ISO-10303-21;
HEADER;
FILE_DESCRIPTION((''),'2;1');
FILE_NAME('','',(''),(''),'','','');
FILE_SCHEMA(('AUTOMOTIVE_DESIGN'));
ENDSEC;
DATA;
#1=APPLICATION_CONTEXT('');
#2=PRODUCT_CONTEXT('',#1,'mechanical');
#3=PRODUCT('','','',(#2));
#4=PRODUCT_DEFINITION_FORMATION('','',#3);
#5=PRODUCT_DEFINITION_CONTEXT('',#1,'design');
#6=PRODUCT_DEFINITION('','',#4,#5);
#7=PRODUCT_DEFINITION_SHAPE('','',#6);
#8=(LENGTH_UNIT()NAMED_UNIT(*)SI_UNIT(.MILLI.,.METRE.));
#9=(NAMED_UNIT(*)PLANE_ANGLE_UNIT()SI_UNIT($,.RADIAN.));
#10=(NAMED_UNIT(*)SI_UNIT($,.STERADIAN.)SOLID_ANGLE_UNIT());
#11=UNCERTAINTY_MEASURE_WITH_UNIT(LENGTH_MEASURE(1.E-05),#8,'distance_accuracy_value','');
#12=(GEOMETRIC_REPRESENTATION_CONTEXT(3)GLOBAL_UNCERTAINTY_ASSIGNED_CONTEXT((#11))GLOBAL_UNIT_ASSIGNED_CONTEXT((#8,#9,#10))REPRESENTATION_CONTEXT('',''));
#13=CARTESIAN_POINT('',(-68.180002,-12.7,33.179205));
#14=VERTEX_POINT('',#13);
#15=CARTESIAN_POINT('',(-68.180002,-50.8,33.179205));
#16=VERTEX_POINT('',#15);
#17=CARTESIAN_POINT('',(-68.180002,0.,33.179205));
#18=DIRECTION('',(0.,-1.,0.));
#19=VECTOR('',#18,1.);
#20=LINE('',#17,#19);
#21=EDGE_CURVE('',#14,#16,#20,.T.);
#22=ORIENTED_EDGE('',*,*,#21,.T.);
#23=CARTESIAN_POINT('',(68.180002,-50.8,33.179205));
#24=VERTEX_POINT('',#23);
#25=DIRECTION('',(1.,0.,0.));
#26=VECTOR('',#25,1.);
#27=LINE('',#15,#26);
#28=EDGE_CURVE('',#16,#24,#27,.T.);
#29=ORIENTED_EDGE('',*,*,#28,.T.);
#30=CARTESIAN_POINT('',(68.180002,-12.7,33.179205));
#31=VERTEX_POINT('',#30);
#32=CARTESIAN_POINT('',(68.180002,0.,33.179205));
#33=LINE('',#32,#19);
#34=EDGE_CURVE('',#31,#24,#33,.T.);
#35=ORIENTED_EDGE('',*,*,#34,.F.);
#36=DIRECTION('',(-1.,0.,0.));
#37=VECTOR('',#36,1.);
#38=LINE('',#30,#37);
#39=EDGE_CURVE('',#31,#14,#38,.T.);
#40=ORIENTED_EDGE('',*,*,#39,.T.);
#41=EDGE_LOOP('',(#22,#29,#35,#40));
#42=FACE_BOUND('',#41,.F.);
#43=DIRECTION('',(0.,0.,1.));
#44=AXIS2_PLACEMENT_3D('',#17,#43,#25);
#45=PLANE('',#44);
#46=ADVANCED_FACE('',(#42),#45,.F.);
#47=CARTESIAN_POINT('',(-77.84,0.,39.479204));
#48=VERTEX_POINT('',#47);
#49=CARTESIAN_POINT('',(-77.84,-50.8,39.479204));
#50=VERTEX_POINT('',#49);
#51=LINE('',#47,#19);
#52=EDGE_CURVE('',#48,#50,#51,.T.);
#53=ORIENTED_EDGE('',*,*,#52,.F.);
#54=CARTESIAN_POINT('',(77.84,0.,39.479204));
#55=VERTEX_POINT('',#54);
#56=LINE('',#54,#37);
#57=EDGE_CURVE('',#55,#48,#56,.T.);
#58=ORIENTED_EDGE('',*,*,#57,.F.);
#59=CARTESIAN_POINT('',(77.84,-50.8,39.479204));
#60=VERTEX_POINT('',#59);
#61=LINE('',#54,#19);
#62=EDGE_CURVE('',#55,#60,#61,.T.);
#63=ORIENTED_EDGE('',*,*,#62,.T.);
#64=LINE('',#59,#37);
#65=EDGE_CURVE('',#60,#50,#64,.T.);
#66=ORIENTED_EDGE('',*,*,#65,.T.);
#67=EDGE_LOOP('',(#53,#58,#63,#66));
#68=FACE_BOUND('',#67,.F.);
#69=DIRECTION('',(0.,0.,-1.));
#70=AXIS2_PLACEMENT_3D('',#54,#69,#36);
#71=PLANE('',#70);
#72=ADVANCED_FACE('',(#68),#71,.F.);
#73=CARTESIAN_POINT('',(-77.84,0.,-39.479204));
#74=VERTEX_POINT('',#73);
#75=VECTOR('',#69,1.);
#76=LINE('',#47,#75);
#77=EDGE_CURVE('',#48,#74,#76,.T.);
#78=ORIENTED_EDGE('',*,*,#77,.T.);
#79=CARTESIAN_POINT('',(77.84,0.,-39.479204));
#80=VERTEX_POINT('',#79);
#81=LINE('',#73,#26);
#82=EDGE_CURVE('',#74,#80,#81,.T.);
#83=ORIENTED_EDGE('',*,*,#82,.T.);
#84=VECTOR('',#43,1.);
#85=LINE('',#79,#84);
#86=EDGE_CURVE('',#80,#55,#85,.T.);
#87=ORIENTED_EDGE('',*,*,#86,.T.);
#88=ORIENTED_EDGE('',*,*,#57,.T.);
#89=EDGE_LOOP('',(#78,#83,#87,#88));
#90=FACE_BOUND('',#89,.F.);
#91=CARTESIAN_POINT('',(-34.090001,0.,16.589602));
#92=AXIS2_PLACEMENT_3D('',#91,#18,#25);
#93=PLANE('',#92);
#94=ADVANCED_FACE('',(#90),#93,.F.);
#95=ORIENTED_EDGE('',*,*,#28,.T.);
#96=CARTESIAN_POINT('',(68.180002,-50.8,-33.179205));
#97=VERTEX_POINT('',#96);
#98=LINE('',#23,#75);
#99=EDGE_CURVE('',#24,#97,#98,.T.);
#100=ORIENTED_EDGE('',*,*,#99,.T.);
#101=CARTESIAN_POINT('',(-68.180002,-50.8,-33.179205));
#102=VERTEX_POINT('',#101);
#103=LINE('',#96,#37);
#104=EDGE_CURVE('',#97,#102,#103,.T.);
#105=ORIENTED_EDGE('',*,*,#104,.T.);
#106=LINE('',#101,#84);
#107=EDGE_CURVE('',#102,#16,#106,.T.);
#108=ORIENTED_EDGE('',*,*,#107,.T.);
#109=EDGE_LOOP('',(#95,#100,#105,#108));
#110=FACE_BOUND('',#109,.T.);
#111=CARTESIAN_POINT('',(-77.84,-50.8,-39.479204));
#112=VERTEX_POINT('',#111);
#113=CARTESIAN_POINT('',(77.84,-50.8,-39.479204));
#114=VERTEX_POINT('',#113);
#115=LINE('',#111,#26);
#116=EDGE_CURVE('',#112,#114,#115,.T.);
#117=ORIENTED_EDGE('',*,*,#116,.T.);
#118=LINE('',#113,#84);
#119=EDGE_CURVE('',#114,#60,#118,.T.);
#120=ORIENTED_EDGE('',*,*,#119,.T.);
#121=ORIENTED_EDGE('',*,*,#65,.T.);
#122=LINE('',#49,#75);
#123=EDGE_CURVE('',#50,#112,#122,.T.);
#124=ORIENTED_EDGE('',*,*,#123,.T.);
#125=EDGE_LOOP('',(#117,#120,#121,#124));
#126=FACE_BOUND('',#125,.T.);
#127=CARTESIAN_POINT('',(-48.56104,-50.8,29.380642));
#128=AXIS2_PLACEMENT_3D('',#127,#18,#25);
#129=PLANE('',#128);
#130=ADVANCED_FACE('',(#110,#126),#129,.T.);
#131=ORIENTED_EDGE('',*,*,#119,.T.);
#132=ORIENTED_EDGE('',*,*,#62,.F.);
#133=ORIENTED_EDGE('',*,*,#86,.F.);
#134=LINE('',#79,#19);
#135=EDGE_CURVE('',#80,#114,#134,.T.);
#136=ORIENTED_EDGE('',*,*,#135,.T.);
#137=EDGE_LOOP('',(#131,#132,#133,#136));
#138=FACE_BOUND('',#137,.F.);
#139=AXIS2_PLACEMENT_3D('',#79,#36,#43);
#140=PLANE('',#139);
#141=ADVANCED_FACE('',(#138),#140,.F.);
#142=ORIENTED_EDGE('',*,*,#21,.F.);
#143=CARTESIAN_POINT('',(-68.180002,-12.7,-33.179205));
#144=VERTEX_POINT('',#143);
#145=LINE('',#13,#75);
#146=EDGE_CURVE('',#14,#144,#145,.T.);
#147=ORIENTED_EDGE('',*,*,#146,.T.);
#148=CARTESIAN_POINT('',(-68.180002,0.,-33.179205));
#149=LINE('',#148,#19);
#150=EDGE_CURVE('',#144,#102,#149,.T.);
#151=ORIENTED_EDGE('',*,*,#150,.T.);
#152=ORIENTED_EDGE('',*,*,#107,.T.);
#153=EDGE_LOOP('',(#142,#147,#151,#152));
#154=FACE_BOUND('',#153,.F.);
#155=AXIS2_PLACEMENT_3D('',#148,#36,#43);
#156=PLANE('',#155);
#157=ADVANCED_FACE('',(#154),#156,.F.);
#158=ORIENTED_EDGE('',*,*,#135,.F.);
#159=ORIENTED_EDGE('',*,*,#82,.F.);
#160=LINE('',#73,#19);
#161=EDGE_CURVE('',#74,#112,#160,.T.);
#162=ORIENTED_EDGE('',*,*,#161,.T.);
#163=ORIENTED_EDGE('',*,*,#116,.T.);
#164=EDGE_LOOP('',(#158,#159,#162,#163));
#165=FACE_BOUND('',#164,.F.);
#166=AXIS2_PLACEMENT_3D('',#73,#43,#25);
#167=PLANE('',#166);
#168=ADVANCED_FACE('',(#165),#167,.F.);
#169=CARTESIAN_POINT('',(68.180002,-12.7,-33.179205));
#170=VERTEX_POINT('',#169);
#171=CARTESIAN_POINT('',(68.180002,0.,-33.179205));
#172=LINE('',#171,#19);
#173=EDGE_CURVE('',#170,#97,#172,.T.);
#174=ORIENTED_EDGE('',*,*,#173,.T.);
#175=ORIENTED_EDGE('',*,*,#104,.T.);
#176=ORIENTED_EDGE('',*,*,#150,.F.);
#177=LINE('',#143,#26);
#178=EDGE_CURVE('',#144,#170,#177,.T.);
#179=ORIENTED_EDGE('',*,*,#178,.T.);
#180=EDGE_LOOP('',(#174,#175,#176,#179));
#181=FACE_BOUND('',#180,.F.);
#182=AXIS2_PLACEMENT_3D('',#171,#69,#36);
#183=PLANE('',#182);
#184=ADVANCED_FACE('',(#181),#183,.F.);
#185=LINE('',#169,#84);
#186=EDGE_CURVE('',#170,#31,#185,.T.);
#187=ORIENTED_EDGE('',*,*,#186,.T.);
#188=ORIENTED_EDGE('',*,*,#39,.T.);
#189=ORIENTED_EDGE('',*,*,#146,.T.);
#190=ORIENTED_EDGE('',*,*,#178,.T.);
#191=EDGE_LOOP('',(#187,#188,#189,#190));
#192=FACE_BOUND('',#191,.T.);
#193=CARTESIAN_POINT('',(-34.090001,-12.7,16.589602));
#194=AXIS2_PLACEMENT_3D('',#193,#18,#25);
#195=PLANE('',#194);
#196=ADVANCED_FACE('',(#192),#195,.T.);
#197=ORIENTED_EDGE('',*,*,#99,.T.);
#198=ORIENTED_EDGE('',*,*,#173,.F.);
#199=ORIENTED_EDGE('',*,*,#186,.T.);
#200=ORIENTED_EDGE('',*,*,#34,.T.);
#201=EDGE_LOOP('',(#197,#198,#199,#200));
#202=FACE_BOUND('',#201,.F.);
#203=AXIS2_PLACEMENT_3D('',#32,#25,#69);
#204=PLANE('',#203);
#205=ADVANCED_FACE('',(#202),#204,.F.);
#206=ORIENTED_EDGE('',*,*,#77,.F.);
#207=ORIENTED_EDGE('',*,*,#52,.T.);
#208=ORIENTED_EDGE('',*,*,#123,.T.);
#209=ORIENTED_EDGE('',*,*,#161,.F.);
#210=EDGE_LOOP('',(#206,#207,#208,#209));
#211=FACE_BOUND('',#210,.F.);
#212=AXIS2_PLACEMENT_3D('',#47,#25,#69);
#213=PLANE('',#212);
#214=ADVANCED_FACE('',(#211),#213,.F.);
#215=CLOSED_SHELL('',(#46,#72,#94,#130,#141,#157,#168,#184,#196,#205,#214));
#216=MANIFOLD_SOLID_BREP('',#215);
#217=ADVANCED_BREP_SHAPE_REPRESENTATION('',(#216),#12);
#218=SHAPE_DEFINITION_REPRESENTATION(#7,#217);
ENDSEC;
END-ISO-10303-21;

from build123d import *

# Parameters (mm, degrees)
F1_DEPTH = 50.8
F0_W     = 68.1800022721
F0_H     = 33.179204911
F2_DEPTH = 12.7


with BuildPart() as f1:
    # F0 (on Front) → F1 (new body)
    with BuildSketch(Plane.XZ):
        Polygon((-77.840000391, 0), (-68.1800022721, 0), (-68.1800022721, 33.179204911), (0, 33.179204911), (0, 39.4792035222), (-77.840000391, 39.4792035222), align=None)
        Polygon((-68.1800022721, -33.179204911), (-68.1800022721, 0), (-77.840000391, 0), (-77.840000391, -39.4792035222), (0, -39.4792035222), (0, -33.179204911), align=None)
        Polygon((0, 39.4792035222), (0, 33.179204911), (68.1800022721, 33.179204911), (68.1800022721, 0), (77.840000391, 0), (77.840000391, 39.4792035222), align=None)
        Polygon((77.840000391, 0), (68.1800022721, 0), (68.1800022721, -33.179204911), (0, -33.179204911), (0, -39.4792035222), (77.840000391, -39.4792035222), align=None)
    extrude(amount=F1_DEPTH)

    # F0 (on Front) → F2 (join)
    with BuildSketch(Plane.XZ):
        with Locations((-34.0900011361, 16.5896024555)):
            Rectangle(F0_W, F0_H)
        with Locations((34.0900011361, 16.5896024555)):
            Rectangle(F0_W, F0_H)
        with Locations((34.0900011361, -16.5896024555)):
            Rectangle(F0_W, F0_H)
        with Locations((-34.0900011361, -16.5896024555)):
            Rectangle(F0_W, F0_H)
    extrude(amount=F2_DEPTH)


solid = f1.part
